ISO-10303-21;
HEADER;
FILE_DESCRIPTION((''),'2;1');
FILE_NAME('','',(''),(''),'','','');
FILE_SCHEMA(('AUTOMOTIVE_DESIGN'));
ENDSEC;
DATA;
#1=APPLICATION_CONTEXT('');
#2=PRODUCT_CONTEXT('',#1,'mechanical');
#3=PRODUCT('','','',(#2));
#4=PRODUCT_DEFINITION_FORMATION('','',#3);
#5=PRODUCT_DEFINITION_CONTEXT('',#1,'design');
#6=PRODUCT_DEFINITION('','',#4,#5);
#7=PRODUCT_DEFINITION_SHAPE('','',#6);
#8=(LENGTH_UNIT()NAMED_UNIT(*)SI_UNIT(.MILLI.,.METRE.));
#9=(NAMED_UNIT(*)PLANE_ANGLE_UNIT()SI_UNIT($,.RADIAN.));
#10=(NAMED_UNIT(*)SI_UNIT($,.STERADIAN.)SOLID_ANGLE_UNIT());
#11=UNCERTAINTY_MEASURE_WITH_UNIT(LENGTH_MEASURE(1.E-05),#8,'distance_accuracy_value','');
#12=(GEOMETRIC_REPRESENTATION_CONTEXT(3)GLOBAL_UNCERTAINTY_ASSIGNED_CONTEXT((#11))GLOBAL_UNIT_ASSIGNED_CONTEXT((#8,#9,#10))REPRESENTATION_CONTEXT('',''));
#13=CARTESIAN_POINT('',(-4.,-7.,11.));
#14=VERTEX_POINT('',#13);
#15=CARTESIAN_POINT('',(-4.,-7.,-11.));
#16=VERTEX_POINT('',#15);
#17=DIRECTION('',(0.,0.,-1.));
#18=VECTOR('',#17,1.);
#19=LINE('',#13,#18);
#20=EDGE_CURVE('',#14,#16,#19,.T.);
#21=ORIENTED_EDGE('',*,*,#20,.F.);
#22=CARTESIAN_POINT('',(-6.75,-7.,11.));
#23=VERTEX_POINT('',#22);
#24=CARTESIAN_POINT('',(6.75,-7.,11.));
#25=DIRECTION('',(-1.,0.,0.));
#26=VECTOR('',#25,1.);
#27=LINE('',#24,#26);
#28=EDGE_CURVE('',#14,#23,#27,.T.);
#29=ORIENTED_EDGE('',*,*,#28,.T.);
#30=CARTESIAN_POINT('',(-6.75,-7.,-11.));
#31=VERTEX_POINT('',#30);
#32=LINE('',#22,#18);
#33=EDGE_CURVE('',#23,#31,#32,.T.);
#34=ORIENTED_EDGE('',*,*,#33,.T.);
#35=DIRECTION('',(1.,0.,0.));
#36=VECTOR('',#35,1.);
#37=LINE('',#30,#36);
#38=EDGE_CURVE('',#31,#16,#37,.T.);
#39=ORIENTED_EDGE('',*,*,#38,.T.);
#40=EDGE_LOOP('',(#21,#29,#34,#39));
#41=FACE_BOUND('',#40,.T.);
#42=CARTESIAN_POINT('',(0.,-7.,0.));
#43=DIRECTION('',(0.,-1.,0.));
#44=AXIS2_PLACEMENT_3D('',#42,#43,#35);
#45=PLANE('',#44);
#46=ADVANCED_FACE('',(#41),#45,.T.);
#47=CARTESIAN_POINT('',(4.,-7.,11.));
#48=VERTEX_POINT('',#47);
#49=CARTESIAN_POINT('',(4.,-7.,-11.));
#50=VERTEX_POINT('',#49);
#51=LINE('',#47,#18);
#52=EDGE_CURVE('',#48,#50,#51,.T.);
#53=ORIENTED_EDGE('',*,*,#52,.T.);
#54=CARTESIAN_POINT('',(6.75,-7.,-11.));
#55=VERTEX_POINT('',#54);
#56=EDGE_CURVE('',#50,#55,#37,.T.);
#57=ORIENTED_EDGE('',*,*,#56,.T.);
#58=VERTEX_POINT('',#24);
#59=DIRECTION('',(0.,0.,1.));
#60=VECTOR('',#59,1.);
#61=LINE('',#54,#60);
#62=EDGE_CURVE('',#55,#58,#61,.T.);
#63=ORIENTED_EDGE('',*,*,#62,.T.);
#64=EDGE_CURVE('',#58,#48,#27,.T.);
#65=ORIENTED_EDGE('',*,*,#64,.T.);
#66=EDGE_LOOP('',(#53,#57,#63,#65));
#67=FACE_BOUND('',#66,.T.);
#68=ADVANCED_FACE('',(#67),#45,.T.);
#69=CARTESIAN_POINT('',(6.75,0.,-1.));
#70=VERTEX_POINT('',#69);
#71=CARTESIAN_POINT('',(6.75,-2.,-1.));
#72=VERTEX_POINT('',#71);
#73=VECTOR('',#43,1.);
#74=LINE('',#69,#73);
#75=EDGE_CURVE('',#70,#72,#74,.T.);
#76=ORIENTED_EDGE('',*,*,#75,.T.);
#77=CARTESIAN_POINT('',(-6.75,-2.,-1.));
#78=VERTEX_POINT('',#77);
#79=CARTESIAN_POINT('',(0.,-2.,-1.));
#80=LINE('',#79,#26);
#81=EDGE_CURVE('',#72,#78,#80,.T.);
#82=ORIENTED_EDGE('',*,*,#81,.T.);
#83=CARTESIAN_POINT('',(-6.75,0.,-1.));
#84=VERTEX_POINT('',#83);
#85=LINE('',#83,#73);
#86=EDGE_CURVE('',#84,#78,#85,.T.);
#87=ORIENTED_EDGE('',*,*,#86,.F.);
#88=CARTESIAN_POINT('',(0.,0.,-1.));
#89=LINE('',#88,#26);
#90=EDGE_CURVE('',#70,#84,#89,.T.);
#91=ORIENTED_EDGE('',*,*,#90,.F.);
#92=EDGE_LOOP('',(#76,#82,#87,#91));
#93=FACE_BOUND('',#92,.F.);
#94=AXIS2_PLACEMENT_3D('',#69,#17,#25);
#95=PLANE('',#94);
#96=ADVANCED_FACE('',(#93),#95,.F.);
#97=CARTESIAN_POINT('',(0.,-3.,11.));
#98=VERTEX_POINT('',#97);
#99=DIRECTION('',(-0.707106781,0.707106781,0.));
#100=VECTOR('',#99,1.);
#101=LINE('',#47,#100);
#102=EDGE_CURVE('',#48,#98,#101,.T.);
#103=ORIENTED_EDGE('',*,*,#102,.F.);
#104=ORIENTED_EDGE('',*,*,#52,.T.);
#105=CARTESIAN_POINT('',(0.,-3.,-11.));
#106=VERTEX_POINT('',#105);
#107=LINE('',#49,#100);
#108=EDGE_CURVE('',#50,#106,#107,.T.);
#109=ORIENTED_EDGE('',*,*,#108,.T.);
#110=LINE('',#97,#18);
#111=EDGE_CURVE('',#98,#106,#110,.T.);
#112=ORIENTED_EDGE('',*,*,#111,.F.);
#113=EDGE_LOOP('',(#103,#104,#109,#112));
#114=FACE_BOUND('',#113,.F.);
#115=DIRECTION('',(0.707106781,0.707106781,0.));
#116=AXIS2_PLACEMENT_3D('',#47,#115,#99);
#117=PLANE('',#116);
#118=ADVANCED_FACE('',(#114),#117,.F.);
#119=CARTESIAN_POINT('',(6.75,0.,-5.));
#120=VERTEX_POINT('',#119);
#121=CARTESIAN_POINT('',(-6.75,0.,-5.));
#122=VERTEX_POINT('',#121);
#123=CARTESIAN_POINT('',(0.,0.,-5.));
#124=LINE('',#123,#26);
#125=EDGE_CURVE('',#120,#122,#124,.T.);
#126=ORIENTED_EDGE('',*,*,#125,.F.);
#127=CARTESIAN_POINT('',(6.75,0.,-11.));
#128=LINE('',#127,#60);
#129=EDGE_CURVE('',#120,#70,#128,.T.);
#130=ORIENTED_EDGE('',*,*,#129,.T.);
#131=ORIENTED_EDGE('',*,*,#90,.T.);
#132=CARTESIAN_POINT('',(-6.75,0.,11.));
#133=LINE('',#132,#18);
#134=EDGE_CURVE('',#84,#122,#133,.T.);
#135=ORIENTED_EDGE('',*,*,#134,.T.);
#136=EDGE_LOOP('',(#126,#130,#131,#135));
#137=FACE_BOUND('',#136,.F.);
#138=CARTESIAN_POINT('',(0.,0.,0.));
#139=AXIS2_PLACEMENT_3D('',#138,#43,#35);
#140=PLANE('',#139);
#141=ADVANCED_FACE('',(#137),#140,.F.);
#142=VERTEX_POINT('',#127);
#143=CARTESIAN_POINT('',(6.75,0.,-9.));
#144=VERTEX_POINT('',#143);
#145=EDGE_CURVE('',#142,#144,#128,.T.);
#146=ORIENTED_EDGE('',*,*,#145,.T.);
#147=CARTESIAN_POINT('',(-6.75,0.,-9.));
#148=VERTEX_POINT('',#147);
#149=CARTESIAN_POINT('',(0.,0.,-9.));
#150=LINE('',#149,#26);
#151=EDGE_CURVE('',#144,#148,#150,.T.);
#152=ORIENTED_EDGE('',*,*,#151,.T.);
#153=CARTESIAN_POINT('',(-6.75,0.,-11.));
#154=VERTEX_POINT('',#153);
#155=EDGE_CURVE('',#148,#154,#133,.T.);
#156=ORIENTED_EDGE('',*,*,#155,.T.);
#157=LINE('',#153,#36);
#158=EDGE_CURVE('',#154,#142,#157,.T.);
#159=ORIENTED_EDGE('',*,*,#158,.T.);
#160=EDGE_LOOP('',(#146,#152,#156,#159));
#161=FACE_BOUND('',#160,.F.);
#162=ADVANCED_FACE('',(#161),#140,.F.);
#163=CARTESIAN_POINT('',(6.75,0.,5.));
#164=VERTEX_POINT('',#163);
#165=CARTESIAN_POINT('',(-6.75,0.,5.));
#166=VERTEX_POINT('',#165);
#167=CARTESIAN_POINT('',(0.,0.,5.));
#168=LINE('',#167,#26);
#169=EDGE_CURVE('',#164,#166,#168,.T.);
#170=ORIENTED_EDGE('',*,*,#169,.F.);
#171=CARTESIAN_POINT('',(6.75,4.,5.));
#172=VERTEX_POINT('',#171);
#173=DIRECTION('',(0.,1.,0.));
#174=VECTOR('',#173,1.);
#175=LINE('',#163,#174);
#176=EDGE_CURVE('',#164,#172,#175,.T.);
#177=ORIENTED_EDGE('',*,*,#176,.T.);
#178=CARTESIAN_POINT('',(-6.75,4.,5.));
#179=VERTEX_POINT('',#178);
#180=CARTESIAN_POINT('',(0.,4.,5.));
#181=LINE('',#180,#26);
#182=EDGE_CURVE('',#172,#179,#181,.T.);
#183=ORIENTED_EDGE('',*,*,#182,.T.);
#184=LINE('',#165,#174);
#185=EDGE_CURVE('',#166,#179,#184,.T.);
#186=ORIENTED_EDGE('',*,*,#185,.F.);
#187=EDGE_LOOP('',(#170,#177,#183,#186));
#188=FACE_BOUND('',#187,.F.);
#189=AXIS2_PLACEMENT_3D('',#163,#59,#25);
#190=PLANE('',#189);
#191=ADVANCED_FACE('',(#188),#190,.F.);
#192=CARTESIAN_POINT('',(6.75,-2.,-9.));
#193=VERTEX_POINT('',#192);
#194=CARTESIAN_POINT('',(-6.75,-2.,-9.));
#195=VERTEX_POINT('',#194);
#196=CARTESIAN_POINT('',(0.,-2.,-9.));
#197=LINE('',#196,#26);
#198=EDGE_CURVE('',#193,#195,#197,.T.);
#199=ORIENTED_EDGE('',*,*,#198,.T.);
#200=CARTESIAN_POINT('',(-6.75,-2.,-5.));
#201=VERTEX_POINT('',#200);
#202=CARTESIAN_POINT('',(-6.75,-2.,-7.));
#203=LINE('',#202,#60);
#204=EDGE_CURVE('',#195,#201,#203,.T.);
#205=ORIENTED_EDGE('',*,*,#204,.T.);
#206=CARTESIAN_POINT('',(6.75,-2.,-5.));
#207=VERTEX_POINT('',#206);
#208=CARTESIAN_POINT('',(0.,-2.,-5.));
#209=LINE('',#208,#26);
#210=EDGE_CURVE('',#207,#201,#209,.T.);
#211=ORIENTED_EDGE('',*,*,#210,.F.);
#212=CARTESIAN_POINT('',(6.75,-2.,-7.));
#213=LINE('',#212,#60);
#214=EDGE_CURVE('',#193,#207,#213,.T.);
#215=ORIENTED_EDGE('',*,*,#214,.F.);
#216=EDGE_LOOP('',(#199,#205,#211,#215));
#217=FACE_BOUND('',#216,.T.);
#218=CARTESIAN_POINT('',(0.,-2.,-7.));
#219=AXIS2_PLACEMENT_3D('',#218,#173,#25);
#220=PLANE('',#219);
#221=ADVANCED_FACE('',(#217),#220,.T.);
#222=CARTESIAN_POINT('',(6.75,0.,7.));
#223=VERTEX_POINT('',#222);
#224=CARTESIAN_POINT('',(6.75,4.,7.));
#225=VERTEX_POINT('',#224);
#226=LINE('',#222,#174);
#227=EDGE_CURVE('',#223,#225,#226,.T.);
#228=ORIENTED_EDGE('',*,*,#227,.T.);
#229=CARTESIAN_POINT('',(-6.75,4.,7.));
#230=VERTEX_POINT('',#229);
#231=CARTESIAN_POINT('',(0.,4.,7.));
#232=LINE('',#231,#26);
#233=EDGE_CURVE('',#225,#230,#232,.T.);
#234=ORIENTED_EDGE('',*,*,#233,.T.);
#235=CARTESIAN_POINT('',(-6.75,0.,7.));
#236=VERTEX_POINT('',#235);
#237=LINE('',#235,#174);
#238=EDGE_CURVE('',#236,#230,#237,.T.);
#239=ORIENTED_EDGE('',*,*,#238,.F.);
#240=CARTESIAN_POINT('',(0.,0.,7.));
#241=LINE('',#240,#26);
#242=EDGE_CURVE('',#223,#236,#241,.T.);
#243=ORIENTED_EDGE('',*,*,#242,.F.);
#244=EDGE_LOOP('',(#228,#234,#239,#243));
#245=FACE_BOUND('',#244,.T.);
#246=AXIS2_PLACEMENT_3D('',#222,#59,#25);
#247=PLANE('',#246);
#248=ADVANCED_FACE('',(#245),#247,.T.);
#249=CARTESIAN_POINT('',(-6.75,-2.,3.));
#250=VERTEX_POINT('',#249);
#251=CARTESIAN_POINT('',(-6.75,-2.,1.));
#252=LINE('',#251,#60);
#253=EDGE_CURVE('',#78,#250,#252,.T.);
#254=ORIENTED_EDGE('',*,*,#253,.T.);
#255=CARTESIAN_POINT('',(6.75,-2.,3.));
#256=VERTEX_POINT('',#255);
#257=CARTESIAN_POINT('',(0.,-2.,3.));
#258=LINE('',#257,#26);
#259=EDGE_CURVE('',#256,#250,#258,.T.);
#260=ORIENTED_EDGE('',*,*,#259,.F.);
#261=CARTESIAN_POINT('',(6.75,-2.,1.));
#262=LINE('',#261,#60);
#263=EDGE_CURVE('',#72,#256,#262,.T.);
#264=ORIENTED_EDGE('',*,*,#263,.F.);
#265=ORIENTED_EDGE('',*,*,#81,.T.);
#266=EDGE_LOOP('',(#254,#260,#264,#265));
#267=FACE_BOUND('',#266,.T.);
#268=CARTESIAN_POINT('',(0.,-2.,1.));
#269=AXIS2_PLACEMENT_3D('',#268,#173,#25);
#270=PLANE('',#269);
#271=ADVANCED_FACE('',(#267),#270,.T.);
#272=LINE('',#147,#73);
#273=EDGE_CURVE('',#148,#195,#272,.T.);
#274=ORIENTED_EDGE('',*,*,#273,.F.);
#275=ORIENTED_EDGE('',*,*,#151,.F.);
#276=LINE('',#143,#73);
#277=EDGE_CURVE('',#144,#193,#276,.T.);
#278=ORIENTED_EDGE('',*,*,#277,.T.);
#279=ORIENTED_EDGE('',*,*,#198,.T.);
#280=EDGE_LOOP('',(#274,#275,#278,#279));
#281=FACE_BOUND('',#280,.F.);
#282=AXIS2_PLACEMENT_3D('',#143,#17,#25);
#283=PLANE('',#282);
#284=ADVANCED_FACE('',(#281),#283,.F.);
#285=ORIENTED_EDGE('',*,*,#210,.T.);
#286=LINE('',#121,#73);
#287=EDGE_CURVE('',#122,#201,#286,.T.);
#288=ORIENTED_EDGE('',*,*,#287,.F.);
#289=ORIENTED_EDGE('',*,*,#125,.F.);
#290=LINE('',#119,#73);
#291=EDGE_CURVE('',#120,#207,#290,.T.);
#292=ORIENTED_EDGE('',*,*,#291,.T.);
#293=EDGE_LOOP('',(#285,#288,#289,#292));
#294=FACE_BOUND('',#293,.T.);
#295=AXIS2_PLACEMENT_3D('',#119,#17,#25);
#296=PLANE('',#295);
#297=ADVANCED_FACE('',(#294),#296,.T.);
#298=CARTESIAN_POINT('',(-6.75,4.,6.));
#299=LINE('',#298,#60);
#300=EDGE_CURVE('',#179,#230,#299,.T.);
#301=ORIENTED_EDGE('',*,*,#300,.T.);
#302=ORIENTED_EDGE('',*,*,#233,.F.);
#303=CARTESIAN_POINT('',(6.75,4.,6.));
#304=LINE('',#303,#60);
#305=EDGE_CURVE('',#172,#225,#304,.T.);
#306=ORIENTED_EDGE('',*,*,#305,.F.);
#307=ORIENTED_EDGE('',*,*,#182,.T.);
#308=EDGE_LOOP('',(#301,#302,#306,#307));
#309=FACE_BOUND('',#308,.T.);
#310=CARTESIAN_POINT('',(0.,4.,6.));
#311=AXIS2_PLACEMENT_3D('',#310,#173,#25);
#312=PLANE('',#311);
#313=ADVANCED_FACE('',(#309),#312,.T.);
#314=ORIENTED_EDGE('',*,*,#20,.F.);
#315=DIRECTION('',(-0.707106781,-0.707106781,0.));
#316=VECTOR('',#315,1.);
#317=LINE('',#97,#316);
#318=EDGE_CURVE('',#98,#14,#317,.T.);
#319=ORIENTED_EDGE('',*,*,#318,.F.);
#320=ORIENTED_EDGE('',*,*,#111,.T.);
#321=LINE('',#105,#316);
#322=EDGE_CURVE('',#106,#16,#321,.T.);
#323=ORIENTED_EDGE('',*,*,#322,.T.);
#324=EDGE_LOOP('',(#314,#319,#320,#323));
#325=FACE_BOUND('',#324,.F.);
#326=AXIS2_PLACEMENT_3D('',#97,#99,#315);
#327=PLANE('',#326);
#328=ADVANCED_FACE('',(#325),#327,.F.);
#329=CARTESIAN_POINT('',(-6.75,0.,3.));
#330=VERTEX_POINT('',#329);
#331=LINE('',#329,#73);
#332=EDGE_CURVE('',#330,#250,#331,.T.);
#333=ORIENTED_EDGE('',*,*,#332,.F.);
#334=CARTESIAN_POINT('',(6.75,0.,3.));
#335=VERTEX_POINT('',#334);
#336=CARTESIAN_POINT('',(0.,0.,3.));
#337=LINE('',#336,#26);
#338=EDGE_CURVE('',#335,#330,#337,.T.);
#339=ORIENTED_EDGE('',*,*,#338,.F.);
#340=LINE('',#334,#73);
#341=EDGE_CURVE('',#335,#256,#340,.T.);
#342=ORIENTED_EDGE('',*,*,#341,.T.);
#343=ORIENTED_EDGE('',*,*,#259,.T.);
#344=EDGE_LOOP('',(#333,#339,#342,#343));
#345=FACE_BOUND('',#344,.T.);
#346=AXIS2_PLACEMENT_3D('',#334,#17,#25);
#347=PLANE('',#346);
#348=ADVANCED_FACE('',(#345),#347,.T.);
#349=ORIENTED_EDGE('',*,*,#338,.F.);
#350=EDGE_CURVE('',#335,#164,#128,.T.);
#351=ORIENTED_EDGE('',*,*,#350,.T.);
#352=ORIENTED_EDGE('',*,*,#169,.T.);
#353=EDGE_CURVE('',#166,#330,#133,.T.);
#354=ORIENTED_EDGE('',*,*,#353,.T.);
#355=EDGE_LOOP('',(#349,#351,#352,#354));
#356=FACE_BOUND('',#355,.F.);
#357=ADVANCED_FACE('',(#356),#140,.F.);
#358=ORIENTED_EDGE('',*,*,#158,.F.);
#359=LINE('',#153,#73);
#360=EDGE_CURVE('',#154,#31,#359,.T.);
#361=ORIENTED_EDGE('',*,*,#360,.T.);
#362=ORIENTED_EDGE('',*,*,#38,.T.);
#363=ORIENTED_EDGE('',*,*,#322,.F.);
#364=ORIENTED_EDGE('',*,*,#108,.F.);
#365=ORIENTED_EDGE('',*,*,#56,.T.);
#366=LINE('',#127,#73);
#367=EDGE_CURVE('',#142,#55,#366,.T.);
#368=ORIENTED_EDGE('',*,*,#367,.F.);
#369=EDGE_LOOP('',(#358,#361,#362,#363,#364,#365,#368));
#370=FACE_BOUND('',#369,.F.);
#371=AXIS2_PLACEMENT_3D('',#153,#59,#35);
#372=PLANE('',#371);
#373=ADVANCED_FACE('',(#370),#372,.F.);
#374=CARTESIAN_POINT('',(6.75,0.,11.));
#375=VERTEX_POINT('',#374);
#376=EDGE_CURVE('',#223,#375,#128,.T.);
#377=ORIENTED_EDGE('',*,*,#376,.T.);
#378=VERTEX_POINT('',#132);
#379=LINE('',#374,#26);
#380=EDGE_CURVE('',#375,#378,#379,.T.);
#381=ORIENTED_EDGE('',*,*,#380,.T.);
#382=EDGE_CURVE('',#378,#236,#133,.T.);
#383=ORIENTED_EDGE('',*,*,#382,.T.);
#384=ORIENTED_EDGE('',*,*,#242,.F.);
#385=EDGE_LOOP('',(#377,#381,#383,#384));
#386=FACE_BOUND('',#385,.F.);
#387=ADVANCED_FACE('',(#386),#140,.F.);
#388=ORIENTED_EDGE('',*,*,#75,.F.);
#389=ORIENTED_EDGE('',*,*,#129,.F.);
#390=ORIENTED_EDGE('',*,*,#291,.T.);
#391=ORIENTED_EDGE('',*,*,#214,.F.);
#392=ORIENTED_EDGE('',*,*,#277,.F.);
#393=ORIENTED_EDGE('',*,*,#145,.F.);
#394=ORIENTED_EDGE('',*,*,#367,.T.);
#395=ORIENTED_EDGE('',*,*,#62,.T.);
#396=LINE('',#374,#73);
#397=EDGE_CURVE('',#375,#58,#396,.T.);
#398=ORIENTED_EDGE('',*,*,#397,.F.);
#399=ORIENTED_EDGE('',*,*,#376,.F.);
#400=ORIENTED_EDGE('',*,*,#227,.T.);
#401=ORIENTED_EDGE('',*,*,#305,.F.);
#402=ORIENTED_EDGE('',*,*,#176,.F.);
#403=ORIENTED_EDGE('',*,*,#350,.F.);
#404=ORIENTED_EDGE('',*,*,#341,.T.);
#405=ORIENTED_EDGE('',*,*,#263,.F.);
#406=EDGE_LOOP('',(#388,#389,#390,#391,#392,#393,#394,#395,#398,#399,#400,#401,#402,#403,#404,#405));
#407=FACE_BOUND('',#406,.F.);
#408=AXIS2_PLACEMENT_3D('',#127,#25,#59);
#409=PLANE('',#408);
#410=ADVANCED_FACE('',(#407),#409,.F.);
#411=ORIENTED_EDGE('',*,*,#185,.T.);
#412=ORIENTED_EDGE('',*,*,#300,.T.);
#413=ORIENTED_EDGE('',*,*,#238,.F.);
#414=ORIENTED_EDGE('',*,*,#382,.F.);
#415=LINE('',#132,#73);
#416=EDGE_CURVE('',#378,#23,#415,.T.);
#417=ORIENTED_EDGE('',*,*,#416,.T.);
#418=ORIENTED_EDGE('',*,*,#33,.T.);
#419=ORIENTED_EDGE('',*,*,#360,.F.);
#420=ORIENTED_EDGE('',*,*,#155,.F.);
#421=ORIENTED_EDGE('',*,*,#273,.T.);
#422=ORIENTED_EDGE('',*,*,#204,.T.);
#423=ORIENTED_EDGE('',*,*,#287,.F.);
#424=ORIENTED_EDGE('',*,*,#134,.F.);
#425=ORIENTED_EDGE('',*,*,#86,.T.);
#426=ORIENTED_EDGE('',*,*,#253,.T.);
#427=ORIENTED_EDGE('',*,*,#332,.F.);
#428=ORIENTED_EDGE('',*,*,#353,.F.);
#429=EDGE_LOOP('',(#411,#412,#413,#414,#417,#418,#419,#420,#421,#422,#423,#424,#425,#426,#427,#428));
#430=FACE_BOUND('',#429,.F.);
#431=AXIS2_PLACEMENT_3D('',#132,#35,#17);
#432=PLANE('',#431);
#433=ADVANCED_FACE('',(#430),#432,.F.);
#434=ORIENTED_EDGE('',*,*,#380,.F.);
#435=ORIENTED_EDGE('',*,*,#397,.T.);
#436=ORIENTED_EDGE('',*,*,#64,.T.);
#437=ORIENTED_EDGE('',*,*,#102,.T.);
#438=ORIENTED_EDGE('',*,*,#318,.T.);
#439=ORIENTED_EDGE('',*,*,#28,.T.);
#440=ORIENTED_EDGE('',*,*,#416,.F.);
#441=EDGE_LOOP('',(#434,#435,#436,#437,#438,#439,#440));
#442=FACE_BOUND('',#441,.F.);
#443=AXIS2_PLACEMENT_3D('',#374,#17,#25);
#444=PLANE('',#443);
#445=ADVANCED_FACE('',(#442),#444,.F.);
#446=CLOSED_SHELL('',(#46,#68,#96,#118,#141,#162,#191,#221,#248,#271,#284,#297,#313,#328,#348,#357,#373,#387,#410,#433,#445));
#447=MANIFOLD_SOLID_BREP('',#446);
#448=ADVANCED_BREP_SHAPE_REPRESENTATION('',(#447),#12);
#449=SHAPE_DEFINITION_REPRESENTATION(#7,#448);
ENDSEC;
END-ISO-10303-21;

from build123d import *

# Parameters (mm, degrees)
F1_DEPTH = 7
F2_W     = 13.5
F2_H     = 2
F3_DEPTH = 4
F5_DEPTH = 22
F6_W     = 13.5
F6_H     = 4
F7_DEPTH = 2


with BuildPart() as f1:
    # F0 (on Front) → F1 (new body)
    with BuildSketch(Plane.XZ):
        Polygon((6.75, -11), (6.75, -9), (6.75, 9), (6.75, 11), (-6.75, 11), (-6.75, 9), (-6.75, -9), (-6.75, -11), align=None)
    extrude(amount=F1_DEPTH)

    # F2 (on face) → F3 (join)
    with BuildSketch(Plane(origin=(0, 0, 0), x_dir=(-1, 0, 0), z_dir=(0, 1, 0))):
        with Locations((0, 6)):
            Rectangle(F2_W, F2_H)
    extrude(amount=F3_DEPTH)

    # F4 (on face) → F5 (cut, through all)
    with BuildSketch(Plane.XY.offset(11)):
        Polygon((4, -7), (0, -3), (-4, -7), align=None)
    extrude(amount=-F5_DEPTH, mode=Mode.SUBTRACT)

    # F6 (on face) → F7 (cut)
    with BuildSketch(Plane(origin=(0, 0, 0), x_dir=(-1, 0, 0), z_dir=(0, 1, 0))):
        with Locations((0, 1)):
            Rectangle(F6_W, F6_H)
        with Locations((0, -7)):
            Rectangle(F6_W, F6_H)
    extrude(amount=-F7_DEPTH, mode=Mode.SUBTRACT)


solid = f1.part
